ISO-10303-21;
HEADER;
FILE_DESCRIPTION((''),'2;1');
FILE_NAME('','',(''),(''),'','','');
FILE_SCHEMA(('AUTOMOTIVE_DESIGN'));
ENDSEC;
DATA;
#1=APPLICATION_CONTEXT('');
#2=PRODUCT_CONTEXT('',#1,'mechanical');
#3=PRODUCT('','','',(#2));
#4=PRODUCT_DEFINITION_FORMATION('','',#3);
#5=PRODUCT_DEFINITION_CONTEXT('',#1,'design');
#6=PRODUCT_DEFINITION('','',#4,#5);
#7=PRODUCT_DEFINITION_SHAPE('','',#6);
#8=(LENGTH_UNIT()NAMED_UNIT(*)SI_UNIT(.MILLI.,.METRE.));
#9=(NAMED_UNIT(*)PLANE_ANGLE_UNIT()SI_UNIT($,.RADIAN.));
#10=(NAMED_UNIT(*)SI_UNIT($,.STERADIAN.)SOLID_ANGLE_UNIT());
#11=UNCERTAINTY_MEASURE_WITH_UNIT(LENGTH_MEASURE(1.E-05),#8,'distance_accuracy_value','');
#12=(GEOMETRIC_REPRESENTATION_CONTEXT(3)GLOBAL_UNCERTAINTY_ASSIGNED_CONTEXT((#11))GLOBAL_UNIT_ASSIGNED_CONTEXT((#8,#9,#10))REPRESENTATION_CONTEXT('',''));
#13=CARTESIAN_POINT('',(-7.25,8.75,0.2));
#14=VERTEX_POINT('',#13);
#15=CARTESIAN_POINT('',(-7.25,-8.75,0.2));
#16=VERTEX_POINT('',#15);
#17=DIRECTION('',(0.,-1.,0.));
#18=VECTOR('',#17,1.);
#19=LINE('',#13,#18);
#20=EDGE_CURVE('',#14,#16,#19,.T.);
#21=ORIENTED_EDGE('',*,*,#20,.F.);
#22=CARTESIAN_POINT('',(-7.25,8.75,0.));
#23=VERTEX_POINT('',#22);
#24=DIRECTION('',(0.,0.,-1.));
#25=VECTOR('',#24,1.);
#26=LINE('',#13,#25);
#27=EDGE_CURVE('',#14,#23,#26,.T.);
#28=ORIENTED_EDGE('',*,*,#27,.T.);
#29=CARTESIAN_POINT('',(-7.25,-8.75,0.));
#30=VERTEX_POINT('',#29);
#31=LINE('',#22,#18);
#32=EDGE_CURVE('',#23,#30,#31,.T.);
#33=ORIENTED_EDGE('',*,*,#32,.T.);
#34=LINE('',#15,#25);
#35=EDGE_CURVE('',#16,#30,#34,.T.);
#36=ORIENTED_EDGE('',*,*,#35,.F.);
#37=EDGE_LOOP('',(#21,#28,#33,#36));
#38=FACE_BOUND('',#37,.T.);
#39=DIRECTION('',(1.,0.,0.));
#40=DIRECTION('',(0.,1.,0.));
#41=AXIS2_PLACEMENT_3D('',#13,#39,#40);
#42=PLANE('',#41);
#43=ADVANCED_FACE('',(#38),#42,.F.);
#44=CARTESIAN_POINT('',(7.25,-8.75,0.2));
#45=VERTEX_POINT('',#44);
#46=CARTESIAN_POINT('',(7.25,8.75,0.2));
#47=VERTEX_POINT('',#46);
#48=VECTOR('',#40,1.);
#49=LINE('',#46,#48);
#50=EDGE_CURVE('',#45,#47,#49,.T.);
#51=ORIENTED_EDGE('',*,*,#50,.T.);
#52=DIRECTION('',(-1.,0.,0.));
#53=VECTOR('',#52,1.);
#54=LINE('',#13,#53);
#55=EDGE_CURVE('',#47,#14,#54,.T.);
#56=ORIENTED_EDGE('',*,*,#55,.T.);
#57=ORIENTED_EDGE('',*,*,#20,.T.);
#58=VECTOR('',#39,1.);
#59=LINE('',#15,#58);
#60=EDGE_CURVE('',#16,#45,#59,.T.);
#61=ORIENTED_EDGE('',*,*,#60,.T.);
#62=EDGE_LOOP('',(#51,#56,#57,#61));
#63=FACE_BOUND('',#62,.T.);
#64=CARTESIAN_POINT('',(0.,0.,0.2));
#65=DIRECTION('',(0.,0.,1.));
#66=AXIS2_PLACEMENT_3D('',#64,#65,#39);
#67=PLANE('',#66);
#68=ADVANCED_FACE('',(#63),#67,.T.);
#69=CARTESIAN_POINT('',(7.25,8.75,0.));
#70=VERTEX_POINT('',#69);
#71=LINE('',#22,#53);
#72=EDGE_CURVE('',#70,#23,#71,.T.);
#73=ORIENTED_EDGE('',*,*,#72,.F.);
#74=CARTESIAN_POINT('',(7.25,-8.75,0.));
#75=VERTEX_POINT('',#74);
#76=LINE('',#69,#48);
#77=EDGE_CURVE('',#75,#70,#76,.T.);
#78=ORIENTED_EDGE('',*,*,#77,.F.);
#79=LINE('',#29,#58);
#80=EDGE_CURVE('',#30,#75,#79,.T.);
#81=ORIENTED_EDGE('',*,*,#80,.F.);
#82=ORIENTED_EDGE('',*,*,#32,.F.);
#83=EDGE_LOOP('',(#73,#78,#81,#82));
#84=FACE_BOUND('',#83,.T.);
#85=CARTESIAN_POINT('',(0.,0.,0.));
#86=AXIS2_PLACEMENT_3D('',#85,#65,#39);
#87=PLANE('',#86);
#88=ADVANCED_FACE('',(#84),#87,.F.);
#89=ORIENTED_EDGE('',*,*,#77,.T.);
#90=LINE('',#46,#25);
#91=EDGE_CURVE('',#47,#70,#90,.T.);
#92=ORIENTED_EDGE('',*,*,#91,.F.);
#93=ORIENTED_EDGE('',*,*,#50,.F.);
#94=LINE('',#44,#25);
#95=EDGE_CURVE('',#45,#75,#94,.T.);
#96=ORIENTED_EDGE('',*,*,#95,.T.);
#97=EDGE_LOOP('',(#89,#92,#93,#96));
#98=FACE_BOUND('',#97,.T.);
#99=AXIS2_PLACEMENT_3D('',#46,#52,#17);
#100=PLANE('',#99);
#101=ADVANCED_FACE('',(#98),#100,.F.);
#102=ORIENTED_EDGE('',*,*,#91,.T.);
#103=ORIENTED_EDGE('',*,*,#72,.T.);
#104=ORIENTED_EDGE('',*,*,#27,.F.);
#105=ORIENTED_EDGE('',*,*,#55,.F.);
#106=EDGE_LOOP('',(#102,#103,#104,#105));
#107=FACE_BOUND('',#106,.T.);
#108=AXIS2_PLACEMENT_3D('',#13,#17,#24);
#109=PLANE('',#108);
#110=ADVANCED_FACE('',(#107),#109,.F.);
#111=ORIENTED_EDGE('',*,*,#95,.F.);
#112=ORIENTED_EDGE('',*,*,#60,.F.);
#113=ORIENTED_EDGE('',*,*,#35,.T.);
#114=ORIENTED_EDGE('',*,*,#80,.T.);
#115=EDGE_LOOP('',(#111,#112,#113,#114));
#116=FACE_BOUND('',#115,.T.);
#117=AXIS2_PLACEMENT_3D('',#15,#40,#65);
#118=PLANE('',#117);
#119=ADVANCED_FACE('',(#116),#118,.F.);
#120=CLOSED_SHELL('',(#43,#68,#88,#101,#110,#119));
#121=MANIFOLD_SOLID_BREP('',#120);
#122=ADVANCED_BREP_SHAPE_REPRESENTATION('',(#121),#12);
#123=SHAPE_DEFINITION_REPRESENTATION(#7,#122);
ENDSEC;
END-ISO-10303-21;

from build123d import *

# Parameters (mm, degrees)
SKETCH_1_W      = 14.5
SKETCH_1_H      = 17.5
EXTRUDE_1_DEPTH = 0.2


with BuildPart() as part:
    # 草图1 → 凸台-拉伸1 (new body)
    with BuildSketch(Plane.XY):
        Rectangle(SKETCH_1_W, SKETCH_1_H)
    extrude(amount=EXTRUDE_1_DEPTH)


solid = part.part
